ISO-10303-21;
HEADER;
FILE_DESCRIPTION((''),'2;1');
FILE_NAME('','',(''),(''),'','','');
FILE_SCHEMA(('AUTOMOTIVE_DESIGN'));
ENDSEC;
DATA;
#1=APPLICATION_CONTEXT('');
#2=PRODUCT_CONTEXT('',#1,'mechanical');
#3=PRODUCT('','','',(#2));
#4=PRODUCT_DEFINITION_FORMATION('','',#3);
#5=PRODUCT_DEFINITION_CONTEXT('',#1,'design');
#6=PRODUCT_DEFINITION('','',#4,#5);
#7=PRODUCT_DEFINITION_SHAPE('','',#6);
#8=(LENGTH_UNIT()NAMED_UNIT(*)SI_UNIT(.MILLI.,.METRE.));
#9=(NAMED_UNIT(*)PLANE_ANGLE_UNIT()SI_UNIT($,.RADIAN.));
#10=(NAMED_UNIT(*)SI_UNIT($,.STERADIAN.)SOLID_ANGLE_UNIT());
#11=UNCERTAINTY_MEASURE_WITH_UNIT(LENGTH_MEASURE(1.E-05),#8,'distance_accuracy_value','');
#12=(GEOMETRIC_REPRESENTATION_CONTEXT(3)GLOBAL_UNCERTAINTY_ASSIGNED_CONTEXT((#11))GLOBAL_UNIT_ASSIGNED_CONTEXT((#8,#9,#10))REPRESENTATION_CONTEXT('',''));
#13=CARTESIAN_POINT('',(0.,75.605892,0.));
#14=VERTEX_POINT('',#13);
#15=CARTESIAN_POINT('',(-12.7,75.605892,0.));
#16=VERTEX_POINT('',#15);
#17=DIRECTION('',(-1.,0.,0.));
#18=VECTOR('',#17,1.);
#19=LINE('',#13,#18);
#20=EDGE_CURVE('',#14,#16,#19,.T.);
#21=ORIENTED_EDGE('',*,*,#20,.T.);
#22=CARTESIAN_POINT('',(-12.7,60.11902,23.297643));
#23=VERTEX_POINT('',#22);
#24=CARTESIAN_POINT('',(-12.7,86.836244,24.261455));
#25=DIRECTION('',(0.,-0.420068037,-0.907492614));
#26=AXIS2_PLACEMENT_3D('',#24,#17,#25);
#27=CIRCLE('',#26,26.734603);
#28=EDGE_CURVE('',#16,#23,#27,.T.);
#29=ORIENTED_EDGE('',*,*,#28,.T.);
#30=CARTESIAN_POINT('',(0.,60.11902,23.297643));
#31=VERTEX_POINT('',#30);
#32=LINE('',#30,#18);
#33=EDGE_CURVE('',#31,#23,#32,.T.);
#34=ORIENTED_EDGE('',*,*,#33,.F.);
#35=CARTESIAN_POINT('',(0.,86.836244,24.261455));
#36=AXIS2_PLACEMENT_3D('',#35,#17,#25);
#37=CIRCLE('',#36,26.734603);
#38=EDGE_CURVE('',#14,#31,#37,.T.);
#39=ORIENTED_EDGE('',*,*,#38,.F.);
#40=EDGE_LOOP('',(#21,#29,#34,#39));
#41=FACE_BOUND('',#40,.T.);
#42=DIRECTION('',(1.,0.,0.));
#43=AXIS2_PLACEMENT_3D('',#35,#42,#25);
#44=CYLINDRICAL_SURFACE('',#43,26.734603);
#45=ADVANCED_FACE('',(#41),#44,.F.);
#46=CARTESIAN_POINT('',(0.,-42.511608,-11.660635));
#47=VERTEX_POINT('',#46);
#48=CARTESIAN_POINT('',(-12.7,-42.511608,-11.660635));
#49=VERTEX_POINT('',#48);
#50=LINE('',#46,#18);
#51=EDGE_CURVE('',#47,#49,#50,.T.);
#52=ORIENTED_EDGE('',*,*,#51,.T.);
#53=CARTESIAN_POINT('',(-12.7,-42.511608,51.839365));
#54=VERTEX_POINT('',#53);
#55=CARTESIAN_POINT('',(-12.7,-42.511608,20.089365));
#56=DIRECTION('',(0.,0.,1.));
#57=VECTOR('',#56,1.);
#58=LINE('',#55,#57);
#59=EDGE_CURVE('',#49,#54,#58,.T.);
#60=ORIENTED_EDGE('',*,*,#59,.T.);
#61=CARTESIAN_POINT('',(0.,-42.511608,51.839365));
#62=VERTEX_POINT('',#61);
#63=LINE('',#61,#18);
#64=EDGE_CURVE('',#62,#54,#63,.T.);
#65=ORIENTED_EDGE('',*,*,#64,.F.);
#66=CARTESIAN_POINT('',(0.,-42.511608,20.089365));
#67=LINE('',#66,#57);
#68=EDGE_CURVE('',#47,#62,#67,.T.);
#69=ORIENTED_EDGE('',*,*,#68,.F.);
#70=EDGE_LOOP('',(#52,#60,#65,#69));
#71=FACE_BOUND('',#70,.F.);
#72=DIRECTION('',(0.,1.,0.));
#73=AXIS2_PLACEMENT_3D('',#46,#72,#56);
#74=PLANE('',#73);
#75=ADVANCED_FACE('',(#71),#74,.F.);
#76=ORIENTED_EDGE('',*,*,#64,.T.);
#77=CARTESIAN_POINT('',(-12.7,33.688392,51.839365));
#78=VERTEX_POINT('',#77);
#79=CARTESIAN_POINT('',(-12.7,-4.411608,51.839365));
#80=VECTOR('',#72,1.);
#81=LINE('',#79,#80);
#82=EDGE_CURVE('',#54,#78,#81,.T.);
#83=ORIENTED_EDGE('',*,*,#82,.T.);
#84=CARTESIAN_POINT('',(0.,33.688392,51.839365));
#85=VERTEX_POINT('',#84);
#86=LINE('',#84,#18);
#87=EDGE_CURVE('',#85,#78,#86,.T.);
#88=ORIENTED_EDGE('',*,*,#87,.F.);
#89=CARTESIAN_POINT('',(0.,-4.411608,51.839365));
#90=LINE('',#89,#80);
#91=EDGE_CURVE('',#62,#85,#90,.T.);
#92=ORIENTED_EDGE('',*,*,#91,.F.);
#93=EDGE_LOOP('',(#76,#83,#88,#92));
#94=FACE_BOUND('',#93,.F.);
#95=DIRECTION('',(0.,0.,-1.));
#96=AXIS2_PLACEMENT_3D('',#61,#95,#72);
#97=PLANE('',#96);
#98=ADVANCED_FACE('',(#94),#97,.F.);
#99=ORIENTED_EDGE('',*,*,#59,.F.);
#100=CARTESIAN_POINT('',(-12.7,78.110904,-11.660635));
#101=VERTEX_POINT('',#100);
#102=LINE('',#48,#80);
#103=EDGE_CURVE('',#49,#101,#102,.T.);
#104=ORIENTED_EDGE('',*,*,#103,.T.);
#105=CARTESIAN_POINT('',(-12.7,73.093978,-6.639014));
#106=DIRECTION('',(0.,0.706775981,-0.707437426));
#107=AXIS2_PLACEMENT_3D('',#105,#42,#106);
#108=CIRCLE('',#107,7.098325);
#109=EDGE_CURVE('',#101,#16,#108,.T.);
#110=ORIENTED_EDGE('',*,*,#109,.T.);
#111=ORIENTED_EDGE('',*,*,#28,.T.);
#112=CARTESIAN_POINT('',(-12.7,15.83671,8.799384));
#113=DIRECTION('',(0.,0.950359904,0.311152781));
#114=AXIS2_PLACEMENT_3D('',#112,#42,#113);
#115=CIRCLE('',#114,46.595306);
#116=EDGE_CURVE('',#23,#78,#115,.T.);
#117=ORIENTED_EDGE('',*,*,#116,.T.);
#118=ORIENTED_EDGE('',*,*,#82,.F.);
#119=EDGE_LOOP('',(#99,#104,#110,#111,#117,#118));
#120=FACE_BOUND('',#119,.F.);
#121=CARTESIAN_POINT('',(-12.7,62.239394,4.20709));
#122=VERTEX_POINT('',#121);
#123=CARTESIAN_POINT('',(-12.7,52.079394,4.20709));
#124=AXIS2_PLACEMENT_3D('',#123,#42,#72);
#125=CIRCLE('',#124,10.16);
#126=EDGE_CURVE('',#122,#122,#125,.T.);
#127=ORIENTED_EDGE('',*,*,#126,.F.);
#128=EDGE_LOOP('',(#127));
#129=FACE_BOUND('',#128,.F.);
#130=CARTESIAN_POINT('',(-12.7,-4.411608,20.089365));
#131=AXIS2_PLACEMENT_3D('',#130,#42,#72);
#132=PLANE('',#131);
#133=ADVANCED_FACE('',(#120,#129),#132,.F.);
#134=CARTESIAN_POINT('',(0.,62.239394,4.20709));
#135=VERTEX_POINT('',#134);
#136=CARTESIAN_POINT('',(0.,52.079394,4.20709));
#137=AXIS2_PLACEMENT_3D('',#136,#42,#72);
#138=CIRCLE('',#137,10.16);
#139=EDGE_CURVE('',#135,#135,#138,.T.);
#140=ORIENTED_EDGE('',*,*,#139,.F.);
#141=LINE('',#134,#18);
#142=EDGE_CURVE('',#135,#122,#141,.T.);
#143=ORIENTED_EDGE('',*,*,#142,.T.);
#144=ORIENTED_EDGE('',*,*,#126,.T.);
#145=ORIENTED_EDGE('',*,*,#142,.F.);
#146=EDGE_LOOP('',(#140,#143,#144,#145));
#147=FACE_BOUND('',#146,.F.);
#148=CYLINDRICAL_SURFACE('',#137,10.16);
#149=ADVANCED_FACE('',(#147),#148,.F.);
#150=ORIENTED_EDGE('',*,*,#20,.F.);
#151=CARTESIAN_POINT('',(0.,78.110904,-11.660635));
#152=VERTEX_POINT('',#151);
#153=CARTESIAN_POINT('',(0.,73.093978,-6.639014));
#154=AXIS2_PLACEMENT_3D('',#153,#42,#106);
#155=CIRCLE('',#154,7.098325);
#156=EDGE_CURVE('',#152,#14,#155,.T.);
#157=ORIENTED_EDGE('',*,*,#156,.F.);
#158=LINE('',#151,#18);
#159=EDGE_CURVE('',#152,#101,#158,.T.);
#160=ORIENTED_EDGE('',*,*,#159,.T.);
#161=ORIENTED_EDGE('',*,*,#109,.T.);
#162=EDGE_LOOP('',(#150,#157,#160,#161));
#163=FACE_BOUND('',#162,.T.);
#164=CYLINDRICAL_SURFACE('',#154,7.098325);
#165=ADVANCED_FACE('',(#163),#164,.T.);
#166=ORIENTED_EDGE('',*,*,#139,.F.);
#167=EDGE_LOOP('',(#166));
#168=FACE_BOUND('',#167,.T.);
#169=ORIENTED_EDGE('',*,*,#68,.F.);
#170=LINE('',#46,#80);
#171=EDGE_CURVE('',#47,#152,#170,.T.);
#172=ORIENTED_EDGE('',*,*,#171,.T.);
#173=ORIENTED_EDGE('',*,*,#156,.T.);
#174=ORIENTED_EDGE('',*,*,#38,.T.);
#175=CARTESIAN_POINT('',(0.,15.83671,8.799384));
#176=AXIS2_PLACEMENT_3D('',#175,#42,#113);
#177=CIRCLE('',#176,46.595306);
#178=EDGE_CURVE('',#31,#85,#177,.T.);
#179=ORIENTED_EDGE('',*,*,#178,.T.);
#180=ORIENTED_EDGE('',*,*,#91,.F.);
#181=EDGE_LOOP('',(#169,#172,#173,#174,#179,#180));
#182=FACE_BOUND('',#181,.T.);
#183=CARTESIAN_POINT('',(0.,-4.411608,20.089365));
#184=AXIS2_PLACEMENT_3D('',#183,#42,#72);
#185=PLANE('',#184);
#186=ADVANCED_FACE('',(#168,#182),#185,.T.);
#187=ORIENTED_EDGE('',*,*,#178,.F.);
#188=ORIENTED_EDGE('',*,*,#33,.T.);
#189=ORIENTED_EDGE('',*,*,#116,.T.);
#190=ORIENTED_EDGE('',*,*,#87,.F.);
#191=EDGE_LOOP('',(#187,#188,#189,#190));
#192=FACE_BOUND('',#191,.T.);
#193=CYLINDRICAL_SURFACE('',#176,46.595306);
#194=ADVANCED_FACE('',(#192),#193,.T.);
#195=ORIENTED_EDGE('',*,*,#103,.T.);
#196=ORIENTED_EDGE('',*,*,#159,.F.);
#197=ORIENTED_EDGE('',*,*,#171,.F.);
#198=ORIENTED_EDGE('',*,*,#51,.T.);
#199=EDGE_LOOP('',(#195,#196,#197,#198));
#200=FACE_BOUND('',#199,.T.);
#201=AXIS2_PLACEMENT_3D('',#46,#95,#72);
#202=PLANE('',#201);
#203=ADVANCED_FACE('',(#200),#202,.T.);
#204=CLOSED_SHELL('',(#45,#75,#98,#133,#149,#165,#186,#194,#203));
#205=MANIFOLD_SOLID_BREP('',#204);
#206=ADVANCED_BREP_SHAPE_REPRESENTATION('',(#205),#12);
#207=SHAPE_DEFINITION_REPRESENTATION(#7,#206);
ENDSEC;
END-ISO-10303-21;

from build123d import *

# Parameters (mm, degrees)
F0_W     = 76.2
F0_H     = 63.5
F0_R     = 10.16
F1_DEPTH = 12.7


with BuildPart() as f1:
    # F0 (on Right) → F1 (new body)
    with BuildSketch(Plane.YZ):
        with Locations((-4.411608, 20.089365)):
            Rectangle(F0_W, F0_H)
        with BuildLine():
            ThreePointArc((60.11902, 23.297643), (50.024657, 40.458613), (33.688392, 51.839365))
            Line((33.688392, 51.839365), (33.688392, -11.660635))
            Line((33.688392, -11.660635), (78.110904, -11.660635))
            ThreePointArc((78.110904, -11.660635), (80.033968, -5.148121), (75.605892, 0))
            ThreePointArc((75.605892, 0), (64.57193, 9.461478), (60.11902, 23.297643))
        make_face()
        with Locations((52.079394, 4.20709)):
            Circle(F0_R, mode=Mode.SUBTRACT)
    extrude(amount=-F1_DEPTH)


solid = f1.part
